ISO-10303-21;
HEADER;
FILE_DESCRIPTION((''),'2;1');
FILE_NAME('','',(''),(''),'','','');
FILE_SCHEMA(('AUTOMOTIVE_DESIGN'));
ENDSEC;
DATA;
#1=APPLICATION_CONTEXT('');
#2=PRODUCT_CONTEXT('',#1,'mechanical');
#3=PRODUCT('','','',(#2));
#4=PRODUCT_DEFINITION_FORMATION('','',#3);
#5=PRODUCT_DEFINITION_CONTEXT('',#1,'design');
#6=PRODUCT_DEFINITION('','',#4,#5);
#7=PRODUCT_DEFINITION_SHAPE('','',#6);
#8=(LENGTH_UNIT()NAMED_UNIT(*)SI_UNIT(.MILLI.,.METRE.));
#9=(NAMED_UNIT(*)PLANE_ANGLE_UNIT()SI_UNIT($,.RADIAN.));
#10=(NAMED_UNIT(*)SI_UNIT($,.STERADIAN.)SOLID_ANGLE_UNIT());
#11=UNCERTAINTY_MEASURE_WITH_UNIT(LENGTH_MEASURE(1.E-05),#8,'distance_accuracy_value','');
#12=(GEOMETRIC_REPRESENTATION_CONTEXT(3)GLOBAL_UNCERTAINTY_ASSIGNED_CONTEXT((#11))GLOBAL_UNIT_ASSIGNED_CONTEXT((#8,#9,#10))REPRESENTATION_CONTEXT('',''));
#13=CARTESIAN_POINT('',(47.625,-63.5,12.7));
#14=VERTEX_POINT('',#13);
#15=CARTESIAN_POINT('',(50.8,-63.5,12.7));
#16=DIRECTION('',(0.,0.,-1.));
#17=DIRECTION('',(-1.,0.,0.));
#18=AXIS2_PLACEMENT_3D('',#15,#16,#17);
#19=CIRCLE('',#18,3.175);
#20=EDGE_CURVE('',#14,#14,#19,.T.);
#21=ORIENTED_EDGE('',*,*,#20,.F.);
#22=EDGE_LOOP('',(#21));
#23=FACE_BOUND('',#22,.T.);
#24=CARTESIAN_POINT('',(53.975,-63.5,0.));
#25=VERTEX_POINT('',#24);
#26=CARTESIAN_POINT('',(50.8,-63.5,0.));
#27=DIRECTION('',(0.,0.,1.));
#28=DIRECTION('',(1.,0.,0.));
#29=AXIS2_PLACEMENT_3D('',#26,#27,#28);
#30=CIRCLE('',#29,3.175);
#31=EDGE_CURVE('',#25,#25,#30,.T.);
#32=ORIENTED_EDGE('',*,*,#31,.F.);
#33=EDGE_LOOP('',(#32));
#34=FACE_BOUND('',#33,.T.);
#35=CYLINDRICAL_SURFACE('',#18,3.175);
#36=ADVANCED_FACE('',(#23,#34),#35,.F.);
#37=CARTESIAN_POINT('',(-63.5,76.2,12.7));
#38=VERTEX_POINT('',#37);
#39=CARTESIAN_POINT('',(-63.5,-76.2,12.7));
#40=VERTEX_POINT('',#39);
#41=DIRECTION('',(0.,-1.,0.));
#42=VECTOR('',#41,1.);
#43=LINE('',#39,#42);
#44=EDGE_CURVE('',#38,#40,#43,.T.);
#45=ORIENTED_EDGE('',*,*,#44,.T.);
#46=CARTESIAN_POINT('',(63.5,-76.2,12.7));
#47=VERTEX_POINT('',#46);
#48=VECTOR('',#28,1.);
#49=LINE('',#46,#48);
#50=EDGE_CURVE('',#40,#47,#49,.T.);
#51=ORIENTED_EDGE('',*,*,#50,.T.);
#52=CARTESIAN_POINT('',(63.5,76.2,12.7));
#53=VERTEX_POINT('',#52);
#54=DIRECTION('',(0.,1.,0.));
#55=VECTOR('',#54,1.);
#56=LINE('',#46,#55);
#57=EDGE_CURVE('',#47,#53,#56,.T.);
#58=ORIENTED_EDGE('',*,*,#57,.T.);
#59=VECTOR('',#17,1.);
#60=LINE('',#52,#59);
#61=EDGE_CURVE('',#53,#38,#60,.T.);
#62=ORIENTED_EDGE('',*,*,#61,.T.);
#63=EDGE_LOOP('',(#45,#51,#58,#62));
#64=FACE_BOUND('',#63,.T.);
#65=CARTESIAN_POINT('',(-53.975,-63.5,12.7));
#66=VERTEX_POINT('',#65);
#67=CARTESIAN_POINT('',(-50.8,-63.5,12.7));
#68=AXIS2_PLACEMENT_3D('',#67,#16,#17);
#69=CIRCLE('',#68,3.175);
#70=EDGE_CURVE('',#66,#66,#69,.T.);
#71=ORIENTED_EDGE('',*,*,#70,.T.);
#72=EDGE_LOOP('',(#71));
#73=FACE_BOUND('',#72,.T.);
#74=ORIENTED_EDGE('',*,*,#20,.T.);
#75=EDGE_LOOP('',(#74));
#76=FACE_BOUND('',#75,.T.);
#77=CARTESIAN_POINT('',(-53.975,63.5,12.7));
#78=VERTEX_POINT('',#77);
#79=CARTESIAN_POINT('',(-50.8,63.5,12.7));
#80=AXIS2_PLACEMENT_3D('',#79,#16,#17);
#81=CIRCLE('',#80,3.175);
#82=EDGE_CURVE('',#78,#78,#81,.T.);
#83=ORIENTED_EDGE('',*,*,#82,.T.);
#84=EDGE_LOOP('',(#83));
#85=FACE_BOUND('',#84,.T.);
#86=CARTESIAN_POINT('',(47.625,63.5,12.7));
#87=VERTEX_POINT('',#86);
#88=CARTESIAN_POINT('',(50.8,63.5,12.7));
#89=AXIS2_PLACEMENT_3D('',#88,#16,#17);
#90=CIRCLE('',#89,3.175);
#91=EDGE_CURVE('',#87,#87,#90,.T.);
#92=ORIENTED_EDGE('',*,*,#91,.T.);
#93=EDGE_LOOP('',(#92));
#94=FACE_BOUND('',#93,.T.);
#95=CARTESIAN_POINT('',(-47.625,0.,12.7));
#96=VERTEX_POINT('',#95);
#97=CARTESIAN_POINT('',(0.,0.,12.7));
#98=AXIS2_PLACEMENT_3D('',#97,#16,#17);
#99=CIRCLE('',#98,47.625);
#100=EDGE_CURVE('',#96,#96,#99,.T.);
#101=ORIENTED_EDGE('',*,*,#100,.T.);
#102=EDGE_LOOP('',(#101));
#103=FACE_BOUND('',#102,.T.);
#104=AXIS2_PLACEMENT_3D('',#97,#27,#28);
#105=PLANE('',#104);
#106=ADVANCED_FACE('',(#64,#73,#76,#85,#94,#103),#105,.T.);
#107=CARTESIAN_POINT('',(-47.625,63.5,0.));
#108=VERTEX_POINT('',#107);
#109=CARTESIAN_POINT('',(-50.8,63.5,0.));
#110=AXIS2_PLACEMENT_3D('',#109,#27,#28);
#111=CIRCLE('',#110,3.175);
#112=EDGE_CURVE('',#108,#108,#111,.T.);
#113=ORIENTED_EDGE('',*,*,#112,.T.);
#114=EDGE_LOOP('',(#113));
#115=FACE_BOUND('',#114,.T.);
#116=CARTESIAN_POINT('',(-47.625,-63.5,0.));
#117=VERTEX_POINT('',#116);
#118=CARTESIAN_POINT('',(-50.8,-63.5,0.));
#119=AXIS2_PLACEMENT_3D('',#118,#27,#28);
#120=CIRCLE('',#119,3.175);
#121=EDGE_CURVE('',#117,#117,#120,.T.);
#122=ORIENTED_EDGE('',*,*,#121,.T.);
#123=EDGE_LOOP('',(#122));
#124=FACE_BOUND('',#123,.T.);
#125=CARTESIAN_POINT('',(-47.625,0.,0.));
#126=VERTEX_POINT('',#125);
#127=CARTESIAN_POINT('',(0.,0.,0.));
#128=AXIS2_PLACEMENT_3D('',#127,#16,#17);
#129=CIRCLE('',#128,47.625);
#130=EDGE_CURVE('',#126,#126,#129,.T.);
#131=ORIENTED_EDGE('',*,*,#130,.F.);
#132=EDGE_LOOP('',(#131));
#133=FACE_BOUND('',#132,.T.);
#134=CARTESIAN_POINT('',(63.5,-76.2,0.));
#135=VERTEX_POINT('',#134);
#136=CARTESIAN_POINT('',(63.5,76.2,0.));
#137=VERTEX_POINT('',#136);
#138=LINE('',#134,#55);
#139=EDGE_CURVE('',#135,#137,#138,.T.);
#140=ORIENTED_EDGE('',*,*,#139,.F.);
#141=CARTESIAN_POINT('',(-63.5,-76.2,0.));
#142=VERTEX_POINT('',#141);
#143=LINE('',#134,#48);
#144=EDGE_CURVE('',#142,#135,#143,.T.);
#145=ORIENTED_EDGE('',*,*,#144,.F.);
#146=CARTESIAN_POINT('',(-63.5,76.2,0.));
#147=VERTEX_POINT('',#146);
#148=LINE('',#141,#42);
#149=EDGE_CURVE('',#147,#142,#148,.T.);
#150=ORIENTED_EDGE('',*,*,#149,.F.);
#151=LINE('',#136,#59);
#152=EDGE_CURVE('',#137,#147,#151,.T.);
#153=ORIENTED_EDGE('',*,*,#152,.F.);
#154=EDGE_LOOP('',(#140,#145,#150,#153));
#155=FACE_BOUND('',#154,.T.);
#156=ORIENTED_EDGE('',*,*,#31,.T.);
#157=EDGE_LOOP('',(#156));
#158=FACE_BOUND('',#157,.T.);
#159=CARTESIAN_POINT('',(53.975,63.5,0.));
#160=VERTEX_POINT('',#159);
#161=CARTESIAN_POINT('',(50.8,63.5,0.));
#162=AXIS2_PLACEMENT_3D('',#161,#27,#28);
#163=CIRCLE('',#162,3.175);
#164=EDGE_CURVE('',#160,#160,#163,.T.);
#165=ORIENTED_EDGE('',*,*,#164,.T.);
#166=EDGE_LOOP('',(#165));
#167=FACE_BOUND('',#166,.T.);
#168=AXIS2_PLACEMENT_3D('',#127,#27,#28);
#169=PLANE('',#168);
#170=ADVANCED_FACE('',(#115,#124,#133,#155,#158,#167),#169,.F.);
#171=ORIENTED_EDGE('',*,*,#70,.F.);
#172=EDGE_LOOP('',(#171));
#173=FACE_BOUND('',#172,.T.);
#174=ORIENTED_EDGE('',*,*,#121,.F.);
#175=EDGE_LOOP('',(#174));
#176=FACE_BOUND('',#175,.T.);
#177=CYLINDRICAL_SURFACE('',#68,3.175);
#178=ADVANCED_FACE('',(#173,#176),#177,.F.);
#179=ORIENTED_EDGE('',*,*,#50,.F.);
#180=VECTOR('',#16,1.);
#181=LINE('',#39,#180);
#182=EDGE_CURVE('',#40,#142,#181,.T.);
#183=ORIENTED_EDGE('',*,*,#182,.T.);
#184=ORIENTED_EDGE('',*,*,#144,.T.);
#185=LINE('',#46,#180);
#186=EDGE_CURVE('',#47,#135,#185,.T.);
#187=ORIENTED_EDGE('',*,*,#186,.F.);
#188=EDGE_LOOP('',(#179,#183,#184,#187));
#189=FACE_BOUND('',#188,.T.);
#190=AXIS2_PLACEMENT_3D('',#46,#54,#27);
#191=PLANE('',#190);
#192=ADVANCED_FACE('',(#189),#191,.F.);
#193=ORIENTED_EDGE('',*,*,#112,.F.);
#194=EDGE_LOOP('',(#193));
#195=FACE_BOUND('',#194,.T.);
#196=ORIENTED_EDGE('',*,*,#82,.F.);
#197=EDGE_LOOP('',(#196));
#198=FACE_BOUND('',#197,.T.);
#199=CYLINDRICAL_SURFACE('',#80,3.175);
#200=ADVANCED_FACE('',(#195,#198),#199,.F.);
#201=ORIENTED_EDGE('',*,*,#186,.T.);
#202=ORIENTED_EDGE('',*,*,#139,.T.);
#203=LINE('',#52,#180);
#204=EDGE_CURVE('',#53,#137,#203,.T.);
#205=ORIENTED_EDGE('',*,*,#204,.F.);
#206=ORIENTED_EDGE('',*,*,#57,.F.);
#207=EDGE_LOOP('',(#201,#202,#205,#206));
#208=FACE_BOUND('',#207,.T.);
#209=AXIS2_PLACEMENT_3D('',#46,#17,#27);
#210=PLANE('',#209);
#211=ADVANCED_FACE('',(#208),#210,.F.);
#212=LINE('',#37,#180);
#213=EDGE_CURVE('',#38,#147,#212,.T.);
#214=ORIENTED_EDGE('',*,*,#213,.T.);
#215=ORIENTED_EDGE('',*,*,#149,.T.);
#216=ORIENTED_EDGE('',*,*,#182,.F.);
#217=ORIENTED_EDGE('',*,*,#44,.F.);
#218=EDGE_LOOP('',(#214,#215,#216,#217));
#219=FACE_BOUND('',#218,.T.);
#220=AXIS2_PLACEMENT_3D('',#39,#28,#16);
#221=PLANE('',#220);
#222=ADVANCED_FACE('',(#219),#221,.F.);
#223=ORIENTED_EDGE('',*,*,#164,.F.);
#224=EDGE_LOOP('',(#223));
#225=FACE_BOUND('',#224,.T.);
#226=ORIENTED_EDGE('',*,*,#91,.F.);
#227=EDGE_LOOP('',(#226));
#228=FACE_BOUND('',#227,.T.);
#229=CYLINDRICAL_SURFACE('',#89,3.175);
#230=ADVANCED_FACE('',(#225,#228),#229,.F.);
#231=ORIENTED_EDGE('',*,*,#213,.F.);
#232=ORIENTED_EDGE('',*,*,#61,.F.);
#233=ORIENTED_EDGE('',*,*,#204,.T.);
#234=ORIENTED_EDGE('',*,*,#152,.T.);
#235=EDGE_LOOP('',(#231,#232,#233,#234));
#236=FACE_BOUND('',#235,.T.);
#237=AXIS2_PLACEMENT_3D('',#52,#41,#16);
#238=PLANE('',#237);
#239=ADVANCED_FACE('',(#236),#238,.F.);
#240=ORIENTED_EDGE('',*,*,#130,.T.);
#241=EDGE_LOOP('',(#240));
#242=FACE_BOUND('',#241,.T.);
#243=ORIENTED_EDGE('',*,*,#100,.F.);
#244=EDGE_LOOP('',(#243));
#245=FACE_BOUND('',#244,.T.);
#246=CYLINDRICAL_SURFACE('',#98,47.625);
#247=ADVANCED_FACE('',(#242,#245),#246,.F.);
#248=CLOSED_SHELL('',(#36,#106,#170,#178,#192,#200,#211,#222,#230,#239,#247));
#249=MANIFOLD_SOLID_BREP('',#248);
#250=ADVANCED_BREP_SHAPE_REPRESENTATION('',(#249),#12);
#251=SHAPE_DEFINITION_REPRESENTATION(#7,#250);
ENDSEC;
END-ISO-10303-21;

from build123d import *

# Parameters (mm, degrees)
SKETCH1_W               = 127
SKETCH1_H               = 152.4
BOSS_EXTRUDE1_DEPTH     = 12.7
SKETCH2_R               = 47.625
CUT_EXTRUDE1_DEPTH      = 100.9999
CUT_EXTRUDE3_DEPTH      = 100.9999
CUT_EXTRUDE3_DEPTH_BACK = 100.9999
SKETCH3_R               = 3.175


with BuildPart() as part:
    # Sketch1 → Boss-Extrude1 (new body)
    with BuildSketch(Plane.XY):
        Rectangle(SKETCH1_W, SKETCH1_H)
    extrude(amount=BOSS_EXTRUDE1_DEPTH)

    # Sketch2 → Cut-Extrude1 (cut, through all)
    with BuildSketch(Plane(origin=(0, 0, 0), x_dir=(-1, 0, 0), z_dir=(0, 0, -1))):
        Circle(SKETCH2_R)
    extrude(amount=-CUT_EXTRUDE1_DEPTH, mode=Mode.SUBTRACT)

    # Sketch3 → Cut-Extrude3 (cut, two sides: drawn at the far end of the back side and taken through both)
    with BuildSketch(Plane(origin=(0, 0, 0), x_dir=(-1, 0, 0), z_dir=(0, 0, -1)).offset(-CUT_EXTRUDE3_DEPTH_BACK)):
        with Locations((-50.8, 63.5)):
            Circle(SKETCH3_R)
        with Locations((50.8, 63.5)):
            Circle(SKETCH3_R)
        with Locations((50.8, -63.5)):
            Circle(SKETCH3_R)
        with Locations((-50.8, -63.5)):
            Circle(SKETCH3_R)
    extrude(amount=CUT_EXTRUDE3_DEPTH + CUT_EXTRUDE3_DEPTH_BACK, mode=Mode.SUBTRACT)


solid = part.part
